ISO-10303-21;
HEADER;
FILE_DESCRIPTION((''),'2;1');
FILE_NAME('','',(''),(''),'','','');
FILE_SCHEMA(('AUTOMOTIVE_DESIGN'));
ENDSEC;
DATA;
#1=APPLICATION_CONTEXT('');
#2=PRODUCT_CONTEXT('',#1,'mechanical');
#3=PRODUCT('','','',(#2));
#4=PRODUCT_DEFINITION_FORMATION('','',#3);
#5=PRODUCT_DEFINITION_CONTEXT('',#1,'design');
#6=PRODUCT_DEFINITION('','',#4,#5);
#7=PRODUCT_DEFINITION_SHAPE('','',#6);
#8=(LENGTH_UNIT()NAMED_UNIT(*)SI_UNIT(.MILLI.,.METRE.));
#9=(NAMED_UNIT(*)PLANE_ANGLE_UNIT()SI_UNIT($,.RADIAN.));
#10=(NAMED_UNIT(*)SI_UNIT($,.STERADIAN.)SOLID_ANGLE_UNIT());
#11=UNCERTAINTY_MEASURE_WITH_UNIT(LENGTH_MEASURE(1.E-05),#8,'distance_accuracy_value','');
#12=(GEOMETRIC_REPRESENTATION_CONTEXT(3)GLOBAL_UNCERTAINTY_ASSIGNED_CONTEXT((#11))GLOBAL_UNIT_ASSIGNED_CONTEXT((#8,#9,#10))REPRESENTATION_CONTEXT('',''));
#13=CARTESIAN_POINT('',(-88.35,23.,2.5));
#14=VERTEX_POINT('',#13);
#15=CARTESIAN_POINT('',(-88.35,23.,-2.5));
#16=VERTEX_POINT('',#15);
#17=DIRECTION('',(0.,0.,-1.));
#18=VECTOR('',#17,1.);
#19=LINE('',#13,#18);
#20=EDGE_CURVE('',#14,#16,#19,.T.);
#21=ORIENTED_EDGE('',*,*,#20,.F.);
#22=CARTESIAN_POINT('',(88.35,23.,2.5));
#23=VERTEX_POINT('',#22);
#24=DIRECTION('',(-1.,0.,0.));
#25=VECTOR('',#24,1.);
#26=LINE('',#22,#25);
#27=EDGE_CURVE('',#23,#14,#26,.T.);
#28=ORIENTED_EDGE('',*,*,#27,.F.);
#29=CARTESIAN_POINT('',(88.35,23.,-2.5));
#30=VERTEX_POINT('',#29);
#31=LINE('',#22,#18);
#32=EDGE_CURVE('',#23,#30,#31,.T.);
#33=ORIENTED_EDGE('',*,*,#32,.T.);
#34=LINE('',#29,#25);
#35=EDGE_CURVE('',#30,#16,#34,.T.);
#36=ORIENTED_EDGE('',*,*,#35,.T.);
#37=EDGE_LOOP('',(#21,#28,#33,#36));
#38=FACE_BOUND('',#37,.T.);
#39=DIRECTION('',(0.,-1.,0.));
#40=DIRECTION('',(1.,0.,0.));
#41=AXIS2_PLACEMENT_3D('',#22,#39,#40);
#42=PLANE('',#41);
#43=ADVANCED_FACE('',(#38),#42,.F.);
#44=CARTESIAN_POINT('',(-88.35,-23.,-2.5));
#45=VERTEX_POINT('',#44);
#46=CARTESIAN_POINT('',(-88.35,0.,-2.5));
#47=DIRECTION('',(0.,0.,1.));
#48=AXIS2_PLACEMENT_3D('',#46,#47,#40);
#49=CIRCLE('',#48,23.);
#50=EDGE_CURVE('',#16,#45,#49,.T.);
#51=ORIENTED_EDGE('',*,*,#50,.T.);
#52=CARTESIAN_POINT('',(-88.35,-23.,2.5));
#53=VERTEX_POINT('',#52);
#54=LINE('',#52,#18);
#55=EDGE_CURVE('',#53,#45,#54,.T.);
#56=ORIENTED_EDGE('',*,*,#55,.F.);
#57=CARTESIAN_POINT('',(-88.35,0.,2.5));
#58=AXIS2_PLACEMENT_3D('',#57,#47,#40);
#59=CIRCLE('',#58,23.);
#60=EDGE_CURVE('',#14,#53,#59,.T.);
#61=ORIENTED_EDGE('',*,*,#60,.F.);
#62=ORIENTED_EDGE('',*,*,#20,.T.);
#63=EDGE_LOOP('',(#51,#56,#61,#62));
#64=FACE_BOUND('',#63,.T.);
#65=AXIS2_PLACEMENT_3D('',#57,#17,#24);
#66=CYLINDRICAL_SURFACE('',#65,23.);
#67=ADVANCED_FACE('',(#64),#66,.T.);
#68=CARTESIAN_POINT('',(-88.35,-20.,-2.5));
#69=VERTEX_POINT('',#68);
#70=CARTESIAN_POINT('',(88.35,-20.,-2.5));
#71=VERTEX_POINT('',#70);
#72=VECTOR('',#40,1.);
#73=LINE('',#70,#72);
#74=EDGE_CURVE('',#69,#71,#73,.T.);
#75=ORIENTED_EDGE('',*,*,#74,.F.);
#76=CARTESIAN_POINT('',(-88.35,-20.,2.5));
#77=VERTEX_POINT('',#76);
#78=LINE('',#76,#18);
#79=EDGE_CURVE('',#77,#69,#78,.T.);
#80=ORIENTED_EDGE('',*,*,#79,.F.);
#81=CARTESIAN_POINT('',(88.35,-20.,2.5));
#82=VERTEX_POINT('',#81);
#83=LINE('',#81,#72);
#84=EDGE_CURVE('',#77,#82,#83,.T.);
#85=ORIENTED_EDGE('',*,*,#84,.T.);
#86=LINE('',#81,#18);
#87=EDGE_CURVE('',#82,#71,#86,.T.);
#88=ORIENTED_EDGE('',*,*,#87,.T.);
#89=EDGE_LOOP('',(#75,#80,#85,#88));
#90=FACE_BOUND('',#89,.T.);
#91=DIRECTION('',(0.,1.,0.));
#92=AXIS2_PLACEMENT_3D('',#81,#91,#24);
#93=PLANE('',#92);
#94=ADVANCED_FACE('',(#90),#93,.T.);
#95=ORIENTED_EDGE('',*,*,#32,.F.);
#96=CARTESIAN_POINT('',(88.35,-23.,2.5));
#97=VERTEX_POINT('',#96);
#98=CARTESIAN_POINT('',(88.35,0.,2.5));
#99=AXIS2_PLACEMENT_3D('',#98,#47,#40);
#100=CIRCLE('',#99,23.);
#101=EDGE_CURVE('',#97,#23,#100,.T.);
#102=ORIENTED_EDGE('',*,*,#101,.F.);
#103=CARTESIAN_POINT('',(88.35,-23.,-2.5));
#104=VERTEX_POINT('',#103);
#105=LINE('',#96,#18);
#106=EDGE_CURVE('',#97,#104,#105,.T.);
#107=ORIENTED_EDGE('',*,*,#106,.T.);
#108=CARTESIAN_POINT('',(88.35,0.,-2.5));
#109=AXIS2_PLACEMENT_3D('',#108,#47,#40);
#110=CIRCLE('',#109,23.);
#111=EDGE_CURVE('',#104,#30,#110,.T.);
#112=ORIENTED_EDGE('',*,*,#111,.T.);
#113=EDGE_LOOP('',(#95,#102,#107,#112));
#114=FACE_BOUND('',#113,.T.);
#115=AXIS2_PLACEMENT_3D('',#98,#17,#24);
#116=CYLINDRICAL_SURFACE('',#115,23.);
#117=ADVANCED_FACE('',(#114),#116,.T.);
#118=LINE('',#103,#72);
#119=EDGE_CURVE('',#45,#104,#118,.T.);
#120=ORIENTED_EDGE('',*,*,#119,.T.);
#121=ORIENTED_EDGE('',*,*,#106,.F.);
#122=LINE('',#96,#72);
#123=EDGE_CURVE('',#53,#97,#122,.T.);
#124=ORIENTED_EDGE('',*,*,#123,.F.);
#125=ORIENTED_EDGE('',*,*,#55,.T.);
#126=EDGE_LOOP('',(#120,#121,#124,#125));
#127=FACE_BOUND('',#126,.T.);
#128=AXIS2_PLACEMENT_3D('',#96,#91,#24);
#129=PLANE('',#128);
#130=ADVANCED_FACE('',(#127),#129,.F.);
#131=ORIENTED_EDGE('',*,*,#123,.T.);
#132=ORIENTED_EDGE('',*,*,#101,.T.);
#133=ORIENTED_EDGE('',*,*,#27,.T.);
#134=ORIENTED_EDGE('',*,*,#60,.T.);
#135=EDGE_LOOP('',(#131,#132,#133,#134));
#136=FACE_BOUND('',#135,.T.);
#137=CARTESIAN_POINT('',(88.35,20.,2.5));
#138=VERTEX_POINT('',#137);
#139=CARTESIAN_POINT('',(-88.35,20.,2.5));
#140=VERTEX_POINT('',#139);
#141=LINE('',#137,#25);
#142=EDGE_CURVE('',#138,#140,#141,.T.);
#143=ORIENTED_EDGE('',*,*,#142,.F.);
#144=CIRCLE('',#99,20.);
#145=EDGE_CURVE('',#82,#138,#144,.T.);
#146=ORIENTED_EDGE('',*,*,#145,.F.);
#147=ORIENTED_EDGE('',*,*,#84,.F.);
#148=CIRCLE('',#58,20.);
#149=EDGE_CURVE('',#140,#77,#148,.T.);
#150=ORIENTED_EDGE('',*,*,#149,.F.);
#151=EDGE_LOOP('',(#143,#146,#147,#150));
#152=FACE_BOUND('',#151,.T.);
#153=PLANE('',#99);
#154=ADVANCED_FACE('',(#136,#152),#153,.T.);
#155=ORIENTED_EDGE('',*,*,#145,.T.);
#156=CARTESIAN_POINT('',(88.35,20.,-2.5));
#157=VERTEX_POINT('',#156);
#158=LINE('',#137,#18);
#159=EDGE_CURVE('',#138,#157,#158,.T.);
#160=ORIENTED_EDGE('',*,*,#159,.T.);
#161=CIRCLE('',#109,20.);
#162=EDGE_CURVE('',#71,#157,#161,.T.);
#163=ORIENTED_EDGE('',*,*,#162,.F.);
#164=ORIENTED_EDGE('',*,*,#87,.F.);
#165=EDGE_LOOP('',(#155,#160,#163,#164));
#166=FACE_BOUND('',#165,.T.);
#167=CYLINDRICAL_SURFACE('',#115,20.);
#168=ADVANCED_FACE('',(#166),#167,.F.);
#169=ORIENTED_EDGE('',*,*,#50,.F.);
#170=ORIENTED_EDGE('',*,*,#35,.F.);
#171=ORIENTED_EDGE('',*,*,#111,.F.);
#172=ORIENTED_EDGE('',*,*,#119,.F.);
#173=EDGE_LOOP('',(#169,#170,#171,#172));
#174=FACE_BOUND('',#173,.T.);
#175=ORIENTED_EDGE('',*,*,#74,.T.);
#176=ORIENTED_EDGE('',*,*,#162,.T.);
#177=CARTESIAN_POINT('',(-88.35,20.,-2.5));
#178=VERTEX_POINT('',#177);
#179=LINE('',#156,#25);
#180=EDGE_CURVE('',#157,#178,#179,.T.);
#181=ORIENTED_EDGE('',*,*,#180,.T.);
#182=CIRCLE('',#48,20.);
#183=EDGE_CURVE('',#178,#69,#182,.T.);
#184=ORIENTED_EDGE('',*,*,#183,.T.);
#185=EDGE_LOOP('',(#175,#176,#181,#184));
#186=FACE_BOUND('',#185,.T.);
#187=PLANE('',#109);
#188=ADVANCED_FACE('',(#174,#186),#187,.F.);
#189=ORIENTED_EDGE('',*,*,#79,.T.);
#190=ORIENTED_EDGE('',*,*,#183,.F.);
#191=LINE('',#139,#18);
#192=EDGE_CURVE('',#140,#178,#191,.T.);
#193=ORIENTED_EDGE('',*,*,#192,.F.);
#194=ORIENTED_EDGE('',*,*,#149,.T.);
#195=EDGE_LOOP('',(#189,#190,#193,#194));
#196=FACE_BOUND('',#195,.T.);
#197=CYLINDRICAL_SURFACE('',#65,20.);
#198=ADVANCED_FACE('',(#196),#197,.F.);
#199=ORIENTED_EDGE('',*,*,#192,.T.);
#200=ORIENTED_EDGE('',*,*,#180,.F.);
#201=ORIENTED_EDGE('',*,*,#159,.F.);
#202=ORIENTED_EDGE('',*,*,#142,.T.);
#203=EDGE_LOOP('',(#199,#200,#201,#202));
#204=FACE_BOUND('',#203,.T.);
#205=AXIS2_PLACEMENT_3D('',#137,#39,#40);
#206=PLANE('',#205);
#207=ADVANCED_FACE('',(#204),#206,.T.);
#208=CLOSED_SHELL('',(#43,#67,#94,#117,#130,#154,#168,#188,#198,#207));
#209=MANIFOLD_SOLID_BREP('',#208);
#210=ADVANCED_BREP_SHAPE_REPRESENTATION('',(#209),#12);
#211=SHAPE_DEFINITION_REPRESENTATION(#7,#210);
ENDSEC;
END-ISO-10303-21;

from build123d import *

# Parameters (mm, degrees)
BOSS_EXTRUDE1_DEPTH = 2.5


with BuildPart() as part:
    # Sketch1 → Boss-Extrude1 (new, symmetric)
    with BuildSketch(Plane.XY):
        with BuildLine():
            Line((88.35, -23), (-88.35, -23))
            ThreePointArc((-88.35, -23), (-111.35, 0), (-88.35, 23))
            Line((-88.35, 23), (88.35, 23))
            ThreePointArc((88.35, 23), (111.35, 0), (88.35, -23))
        make_face()
        with BuildLine():
            Line((88.35, -20), (-88.35, -20))
            ThreePointArc((-88.35, -20), (-108.35, 0), (-88.35, 20))
            Line((-88.35, 20), (88.35, 20))
            ThreePointArc((88.35, 20), (108.35, 0), (88.35, -20))
        make_face(mode=Mode.SUBTRACT)
    extrude(amount=BOSS_EXTRUDE1_DEPTH, both=True)


solid = part.part
